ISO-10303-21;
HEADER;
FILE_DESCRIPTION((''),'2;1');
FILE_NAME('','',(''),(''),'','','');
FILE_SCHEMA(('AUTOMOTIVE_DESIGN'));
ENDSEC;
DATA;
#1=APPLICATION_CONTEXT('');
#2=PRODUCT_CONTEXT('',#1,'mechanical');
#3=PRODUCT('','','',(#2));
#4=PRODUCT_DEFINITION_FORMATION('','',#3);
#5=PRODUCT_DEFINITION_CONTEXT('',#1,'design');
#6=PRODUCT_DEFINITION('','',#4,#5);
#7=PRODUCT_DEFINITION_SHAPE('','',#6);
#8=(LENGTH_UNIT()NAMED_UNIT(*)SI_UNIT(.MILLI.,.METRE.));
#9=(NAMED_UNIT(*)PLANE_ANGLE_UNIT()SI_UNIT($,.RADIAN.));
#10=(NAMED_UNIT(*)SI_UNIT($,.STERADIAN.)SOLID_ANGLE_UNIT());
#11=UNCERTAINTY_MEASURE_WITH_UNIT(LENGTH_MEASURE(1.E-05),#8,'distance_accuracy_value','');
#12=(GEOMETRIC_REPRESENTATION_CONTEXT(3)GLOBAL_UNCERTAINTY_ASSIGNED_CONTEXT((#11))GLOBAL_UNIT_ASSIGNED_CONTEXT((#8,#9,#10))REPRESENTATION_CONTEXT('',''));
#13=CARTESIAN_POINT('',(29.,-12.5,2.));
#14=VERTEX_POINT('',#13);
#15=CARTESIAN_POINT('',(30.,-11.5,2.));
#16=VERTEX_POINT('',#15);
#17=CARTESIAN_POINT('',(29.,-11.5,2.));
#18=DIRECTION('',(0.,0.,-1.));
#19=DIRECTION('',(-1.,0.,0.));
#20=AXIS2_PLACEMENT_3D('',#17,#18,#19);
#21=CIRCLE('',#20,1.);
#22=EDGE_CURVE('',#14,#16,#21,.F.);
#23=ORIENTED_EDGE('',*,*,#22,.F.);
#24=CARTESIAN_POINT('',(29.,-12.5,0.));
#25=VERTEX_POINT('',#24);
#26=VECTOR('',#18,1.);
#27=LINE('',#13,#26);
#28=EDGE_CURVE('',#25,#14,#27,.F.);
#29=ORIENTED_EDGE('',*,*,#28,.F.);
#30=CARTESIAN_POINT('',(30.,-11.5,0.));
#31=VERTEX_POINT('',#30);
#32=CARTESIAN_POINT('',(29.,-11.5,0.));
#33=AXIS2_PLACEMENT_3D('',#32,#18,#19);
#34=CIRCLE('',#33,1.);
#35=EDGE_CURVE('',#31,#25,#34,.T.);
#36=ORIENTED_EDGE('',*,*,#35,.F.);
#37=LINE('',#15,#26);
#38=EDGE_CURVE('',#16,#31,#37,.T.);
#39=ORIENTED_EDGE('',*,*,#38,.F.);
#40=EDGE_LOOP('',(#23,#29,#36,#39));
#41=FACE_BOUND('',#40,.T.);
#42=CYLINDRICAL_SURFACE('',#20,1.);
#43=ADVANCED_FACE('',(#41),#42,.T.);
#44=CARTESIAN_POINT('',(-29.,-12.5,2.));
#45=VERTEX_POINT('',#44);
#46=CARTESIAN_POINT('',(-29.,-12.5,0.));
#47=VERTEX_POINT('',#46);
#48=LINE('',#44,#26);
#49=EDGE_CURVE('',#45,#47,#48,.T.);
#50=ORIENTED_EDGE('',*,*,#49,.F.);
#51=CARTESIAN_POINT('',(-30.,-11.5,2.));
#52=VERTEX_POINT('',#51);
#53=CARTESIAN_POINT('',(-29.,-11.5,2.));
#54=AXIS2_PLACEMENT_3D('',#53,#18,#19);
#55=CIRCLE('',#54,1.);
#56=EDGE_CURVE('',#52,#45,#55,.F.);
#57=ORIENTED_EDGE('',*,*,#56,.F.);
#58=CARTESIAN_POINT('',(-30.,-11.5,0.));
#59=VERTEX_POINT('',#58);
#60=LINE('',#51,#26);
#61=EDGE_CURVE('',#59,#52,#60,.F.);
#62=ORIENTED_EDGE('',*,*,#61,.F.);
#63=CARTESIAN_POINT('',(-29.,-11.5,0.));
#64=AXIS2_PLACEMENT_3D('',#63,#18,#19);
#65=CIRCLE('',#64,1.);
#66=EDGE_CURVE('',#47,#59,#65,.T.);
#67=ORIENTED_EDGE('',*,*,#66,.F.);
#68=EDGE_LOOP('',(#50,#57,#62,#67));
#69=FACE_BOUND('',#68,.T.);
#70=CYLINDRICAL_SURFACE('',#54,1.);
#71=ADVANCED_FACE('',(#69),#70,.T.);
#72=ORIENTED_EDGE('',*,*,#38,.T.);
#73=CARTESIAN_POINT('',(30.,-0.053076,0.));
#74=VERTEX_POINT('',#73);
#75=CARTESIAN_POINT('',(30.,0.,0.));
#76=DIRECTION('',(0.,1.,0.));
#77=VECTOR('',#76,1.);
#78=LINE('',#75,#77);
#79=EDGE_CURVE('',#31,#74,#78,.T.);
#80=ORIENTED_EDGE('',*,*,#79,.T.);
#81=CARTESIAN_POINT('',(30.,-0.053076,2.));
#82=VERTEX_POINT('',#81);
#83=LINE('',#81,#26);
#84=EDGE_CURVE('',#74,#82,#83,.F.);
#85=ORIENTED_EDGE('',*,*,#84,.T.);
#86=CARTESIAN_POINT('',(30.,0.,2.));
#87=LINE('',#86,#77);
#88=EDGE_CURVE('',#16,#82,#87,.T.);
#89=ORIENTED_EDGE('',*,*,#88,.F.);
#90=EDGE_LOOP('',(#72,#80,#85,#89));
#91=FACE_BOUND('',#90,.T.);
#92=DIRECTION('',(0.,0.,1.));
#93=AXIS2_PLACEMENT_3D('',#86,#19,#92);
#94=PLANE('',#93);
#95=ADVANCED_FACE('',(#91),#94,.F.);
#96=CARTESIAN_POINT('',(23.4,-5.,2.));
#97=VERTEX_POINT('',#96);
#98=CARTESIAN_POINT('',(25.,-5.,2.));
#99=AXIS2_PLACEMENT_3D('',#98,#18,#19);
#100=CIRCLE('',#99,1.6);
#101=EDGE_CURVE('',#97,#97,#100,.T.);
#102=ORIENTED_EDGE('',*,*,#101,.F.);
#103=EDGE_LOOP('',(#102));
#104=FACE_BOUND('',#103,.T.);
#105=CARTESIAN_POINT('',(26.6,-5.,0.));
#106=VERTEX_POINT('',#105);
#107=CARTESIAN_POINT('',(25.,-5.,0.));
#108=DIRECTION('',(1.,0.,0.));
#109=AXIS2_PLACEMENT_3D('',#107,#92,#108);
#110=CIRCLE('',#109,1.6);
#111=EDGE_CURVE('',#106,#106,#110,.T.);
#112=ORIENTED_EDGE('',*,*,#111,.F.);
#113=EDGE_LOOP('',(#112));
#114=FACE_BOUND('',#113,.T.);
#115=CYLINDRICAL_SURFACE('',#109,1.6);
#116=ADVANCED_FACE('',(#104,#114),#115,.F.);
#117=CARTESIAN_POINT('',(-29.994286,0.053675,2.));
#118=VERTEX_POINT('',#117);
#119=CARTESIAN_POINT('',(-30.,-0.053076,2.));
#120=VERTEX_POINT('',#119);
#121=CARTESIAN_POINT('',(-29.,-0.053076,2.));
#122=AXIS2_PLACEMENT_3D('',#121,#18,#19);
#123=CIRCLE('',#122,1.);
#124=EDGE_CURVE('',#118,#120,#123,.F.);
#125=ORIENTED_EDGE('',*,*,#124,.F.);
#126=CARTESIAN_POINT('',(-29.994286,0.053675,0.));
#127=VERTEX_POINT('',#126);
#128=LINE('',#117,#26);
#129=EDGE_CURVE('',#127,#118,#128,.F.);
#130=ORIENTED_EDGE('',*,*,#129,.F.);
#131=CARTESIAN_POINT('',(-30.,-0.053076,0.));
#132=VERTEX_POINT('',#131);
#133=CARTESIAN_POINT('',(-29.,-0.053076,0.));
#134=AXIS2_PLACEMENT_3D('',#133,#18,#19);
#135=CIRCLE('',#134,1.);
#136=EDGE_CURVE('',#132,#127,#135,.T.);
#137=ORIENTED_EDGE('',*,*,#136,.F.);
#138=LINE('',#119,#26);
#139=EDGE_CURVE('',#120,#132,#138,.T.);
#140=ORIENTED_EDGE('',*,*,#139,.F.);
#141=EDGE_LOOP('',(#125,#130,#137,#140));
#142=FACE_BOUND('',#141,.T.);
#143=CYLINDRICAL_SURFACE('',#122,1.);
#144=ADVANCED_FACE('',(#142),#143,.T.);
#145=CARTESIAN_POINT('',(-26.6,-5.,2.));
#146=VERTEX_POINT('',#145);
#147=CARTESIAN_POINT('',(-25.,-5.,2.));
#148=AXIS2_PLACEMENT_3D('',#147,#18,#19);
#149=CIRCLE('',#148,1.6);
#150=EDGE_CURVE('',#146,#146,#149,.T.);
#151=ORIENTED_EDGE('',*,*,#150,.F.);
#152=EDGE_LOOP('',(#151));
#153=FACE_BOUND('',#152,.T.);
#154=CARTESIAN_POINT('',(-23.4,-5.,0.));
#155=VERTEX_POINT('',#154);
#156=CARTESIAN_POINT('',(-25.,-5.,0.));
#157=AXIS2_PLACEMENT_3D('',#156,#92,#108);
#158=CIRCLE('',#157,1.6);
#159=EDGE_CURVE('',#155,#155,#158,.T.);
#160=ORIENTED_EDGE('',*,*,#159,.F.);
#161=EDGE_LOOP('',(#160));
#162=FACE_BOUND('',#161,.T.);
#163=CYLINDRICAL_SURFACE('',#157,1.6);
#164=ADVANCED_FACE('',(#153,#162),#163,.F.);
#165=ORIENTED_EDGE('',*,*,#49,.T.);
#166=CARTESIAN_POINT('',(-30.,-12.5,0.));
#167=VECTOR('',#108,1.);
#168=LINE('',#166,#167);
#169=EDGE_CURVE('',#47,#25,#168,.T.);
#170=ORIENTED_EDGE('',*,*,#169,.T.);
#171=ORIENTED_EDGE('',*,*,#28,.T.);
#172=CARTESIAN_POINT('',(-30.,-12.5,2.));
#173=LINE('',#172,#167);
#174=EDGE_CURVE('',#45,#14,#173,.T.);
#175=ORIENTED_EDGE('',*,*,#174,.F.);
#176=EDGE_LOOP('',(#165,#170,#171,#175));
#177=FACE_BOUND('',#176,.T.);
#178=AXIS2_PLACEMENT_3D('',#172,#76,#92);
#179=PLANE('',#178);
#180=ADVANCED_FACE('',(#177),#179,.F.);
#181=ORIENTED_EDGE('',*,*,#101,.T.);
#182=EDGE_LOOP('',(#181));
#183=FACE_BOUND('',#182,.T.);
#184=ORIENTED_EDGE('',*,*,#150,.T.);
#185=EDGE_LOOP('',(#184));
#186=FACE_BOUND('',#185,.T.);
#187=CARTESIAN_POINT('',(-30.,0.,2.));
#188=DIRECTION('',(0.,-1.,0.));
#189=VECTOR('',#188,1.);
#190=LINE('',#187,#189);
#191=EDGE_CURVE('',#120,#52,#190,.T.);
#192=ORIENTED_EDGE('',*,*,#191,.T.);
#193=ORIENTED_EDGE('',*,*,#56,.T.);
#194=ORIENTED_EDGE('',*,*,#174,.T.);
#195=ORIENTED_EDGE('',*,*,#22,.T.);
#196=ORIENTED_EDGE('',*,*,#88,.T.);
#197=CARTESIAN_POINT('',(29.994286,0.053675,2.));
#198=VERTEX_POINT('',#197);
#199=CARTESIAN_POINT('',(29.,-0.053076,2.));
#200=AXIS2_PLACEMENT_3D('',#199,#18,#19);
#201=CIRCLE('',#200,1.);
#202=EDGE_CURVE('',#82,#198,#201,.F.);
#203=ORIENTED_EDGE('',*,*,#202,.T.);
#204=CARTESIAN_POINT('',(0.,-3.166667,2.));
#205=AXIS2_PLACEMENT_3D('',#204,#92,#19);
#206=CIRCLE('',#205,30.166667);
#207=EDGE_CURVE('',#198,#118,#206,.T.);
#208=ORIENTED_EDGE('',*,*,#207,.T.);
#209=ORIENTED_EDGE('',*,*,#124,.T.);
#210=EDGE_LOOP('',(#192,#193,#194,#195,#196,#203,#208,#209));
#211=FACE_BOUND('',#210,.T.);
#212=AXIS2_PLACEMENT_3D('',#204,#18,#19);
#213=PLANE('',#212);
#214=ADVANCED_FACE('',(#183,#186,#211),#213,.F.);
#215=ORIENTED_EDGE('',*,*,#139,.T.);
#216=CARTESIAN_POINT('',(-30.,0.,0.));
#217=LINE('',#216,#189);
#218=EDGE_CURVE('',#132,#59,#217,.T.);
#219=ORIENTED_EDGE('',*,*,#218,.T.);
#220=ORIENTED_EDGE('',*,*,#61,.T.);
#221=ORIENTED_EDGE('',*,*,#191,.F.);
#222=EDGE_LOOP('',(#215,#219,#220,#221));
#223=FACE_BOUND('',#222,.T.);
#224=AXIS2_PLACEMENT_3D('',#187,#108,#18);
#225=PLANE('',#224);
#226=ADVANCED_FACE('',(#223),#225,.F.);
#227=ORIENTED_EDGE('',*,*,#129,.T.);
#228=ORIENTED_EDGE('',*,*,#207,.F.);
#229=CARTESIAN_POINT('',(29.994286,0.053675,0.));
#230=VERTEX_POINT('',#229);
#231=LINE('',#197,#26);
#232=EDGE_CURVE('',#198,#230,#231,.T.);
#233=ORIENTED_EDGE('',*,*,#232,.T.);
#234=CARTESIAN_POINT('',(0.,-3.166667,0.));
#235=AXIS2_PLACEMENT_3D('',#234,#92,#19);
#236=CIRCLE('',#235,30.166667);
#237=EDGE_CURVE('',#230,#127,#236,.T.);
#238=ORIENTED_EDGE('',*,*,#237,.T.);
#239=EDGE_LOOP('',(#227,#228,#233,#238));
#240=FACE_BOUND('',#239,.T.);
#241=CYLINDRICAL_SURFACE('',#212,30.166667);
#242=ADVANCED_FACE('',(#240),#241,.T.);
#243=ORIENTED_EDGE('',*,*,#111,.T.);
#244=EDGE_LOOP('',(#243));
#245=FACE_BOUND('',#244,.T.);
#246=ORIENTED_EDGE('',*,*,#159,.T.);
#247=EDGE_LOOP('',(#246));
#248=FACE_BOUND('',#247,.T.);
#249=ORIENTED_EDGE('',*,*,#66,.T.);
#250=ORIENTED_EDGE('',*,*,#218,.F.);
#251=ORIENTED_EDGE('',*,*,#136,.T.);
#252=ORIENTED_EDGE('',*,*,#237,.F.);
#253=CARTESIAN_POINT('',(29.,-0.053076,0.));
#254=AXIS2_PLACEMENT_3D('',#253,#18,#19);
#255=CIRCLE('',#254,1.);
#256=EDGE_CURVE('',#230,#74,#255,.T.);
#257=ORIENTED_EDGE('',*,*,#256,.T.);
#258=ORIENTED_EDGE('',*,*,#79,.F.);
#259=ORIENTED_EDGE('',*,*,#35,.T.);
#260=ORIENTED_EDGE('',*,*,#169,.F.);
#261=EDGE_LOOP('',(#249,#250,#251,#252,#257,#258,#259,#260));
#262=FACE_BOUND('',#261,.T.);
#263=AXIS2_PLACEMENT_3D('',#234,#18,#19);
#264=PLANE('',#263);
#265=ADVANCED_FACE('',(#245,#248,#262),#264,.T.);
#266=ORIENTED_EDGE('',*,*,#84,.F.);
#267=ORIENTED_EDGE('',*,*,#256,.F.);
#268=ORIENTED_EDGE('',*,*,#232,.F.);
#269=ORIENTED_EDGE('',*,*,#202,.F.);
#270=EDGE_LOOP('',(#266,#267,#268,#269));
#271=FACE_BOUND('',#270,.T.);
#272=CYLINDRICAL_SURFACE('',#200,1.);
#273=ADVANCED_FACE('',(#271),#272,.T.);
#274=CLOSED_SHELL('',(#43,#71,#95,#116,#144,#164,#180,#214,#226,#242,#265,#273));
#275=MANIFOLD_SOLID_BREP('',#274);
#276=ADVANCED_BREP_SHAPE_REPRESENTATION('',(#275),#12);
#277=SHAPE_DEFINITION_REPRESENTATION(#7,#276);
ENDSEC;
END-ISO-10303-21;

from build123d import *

# Parameters (mm, degrees)
EXTRUDE_367_DEPTH          = 2
CUT_EXTRUDE_570_DEPTH      = 41.410394702
CUT_EXTRUDE_570_DEPTH_BACK = 41.410394702
SKETCH_2_R                 = 1.6
FILLET_1_R                 = 1


with BuildPart() as part:
    # Эскиз1 → Extrude 367 (new body)
    with BuildSketch(Plane.XY):
        with BuildLine():
            Line((-30, 0), (-30, -12.5))
            Line((-30, -12.5), (30, -12.5))
            Line((30, -12.5), (30, 0))
            ThreePointArc((30, 0), (0, 27), (-30, 0))
        make_face()
    extrude(amount=EXTRUDE_367_DEPTH)

    # Эскиз2 → Cut-Extrude 570 (cut, two sides: drawn at the far end of the back side and taken through both)
    with BuildSketch(Plane.XY.offset(2).offset(-CUT_EXTRUDE_570_DEPTH_BACK)):
        with Locations((-25, -5)):
            Circle(SKETCH_2_R)
        with Locations((25, -5)):
            Circle(SKETCH_2_R)
    extrude(amount=CUT_EXTRUDE_570_DEPTH + CUT_EXTRUDE_570_DEPTH_BACK, mode=Mode.SUBTRACT)

    # Скругление1
    fillet_1_edges = [part.edges().sort_by_distance(p)[0] for p in [
        (30, 0, 1),
        (30, -12.5, 1),
        (-30, -12.5, 1),
        (-30, 0, 1),
    ]]
    fillet(fillet_1_edges, radius=FILLET_1_R)


solid = part.part
